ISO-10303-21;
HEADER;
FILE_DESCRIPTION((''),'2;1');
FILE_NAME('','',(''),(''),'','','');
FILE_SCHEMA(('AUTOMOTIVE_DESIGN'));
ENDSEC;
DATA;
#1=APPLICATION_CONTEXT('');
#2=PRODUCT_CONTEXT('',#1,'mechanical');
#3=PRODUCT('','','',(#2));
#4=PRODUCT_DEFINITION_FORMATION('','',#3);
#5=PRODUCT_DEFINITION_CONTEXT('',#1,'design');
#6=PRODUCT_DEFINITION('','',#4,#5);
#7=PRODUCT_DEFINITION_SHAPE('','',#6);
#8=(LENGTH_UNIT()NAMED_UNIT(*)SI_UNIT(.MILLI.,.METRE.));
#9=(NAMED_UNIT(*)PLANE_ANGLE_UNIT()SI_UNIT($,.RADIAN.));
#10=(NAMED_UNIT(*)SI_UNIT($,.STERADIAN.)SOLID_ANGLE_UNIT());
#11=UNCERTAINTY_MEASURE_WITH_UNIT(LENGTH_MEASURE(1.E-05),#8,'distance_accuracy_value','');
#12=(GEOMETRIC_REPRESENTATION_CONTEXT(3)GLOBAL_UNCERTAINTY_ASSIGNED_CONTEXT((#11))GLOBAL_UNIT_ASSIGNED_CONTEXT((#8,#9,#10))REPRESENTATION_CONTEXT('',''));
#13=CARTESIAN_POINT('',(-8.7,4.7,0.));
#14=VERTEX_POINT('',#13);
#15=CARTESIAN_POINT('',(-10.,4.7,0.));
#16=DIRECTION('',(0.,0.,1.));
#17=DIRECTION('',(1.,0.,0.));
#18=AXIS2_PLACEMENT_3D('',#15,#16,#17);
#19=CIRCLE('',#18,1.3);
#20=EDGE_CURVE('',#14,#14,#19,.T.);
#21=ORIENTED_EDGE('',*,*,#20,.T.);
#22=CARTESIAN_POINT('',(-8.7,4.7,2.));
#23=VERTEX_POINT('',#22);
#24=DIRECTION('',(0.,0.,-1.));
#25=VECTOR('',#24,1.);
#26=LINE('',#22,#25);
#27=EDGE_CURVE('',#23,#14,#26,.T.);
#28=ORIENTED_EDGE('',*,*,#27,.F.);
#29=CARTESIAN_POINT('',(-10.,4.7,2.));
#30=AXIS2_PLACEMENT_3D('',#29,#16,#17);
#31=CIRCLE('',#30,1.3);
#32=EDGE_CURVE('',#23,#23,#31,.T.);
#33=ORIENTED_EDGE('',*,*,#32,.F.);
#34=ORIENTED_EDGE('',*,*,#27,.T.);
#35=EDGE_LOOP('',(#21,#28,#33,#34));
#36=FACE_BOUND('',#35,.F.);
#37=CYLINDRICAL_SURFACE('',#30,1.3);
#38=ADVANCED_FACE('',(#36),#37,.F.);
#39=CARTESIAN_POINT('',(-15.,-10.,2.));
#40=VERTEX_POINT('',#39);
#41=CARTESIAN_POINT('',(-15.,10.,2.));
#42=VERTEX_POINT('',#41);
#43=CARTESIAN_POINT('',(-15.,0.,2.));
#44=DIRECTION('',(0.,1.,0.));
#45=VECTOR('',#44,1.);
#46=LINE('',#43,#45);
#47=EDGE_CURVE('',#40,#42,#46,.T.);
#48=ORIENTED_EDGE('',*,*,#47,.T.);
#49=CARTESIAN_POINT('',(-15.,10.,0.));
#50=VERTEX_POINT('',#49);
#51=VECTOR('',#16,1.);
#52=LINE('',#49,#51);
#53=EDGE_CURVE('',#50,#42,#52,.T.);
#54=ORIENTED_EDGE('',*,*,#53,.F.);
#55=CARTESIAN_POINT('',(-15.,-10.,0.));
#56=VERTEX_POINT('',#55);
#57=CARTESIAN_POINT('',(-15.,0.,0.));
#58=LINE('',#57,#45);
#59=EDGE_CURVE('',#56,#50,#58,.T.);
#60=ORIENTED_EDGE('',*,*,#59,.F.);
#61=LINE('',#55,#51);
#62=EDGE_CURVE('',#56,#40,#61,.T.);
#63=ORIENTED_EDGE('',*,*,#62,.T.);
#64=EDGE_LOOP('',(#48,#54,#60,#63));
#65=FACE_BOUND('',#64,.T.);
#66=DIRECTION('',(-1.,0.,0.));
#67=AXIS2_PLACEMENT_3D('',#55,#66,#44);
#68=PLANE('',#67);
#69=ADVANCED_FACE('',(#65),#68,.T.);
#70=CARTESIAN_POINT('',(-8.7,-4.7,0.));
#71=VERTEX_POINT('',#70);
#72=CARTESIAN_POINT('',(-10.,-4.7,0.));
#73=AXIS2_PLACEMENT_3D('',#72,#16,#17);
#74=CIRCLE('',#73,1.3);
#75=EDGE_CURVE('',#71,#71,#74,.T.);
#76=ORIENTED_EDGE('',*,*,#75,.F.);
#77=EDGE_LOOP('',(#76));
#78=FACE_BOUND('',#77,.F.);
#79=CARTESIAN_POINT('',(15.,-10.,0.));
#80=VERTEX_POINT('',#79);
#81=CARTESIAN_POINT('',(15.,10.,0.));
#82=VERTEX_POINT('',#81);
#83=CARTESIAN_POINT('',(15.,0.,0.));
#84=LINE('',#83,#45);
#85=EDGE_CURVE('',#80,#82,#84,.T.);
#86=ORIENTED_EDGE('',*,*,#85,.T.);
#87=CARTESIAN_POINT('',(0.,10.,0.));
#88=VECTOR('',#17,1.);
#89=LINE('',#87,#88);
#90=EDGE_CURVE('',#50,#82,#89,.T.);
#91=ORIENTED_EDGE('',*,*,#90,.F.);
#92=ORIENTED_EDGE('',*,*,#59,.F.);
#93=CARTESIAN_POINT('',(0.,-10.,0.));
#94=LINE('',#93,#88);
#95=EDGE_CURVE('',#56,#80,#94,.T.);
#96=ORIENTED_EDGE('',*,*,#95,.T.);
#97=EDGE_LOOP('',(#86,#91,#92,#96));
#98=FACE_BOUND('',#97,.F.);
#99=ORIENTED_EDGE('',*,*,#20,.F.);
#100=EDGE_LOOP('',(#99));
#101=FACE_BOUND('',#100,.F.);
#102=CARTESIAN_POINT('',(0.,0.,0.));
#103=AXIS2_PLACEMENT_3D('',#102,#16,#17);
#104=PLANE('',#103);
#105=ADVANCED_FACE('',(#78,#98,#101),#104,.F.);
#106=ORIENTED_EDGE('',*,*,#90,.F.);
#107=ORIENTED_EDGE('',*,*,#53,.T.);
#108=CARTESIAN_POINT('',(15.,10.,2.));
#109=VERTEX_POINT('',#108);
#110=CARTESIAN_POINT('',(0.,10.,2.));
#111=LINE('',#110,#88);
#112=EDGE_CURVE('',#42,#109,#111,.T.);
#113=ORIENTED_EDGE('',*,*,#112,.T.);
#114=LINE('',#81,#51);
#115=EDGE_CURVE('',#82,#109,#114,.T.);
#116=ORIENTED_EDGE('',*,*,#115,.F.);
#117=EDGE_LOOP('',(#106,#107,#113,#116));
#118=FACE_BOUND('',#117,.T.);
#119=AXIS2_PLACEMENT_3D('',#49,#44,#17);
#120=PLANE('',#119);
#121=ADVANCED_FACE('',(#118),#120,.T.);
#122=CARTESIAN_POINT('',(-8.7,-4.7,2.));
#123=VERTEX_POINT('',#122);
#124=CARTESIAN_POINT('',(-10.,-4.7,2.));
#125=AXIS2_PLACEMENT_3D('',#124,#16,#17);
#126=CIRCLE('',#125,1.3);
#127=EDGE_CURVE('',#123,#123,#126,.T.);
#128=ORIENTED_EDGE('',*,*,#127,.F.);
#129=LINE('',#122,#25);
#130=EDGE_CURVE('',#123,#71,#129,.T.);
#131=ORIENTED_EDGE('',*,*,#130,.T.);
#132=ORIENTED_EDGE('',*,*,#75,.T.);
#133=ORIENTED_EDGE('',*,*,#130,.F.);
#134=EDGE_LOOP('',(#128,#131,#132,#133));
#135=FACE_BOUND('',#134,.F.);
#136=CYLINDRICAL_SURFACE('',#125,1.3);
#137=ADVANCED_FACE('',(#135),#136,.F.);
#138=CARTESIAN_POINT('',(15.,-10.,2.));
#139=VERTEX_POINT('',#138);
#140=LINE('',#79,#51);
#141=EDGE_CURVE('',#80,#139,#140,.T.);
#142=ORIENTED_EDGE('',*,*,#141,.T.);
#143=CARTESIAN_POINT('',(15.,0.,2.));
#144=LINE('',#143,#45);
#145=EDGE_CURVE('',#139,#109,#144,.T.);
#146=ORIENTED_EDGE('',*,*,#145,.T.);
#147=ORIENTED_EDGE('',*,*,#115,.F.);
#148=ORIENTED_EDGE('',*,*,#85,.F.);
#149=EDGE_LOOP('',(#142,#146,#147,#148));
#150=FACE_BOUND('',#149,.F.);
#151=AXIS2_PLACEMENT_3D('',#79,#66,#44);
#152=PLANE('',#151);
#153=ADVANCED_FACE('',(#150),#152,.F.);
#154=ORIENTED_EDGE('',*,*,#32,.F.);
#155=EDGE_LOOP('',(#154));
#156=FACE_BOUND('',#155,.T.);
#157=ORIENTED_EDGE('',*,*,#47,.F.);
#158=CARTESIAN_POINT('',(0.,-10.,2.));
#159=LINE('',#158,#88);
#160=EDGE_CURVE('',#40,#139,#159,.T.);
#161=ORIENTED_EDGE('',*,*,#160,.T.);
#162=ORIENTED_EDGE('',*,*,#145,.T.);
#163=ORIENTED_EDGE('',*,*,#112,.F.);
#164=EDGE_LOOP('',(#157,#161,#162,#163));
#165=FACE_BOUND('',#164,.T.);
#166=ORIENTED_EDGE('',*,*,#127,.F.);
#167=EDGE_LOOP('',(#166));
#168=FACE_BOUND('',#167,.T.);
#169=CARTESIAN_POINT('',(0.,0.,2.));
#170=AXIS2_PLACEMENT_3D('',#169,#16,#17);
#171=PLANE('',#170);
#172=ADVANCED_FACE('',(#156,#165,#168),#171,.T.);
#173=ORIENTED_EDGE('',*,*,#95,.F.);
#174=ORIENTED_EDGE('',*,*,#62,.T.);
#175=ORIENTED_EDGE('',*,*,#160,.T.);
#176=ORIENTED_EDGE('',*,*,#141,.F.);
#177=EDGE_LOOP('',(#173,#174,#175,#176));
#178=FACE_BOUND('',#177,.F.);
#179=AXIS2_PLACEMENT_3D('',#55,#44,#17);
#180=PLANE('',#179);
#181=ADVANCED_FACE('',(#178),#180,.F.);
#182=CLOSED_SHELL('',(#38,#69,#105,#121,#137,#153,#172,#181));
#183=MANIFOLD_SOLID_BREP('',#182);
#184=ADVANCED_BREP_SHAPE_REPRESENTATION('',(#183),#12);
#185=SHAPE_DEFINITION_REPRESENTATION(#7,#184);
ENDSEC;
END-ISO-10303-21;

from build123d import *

# Parameters (mm, degrees)
SKETCH_W        = 30
SKETCH_H        = 20
PAD_DEPTH       = 2
SKETCH001_R     = 1.3
POCKET_DEPTH    = 5
POCKET001_DEPTH = 5


with BuildPart() as part:
    # Sketch → Pad (new body)
    with BuildSketch(Plane.XY):
        Rectangle(SKETCH_W, SKETCH_H)
    extrude(amount=PAD_DEPTH)

    # Sketch001 (on Face6 of Pad) → Pocket (cut)
    with BuildSketch(Plane.XY.offset(2)):
        with Locations((-10, 4.7)):
            Circle(SKETCH001_R)
        with Locations((-10, -4.7)):
            Circle(SKETCH001_R)
    extrude(amount=-POCKET_DEPTH, mode=Mode.SUBTRACT)

    # Sketch001 (on Face6 of Pad) → Pocket001 (cut)
    with BuildSketch(Plane.XY.offset(2)):
        with Locations((-10, 4.7)):
            Circle(SKETCH001_R)
        with Locations((-10, -4.7)):
            Circle(SKETCH001_R)
    extrude(amount=-POCKET001_DEPTH, mode=Mode.SUBTRACT)


solid = part.part
